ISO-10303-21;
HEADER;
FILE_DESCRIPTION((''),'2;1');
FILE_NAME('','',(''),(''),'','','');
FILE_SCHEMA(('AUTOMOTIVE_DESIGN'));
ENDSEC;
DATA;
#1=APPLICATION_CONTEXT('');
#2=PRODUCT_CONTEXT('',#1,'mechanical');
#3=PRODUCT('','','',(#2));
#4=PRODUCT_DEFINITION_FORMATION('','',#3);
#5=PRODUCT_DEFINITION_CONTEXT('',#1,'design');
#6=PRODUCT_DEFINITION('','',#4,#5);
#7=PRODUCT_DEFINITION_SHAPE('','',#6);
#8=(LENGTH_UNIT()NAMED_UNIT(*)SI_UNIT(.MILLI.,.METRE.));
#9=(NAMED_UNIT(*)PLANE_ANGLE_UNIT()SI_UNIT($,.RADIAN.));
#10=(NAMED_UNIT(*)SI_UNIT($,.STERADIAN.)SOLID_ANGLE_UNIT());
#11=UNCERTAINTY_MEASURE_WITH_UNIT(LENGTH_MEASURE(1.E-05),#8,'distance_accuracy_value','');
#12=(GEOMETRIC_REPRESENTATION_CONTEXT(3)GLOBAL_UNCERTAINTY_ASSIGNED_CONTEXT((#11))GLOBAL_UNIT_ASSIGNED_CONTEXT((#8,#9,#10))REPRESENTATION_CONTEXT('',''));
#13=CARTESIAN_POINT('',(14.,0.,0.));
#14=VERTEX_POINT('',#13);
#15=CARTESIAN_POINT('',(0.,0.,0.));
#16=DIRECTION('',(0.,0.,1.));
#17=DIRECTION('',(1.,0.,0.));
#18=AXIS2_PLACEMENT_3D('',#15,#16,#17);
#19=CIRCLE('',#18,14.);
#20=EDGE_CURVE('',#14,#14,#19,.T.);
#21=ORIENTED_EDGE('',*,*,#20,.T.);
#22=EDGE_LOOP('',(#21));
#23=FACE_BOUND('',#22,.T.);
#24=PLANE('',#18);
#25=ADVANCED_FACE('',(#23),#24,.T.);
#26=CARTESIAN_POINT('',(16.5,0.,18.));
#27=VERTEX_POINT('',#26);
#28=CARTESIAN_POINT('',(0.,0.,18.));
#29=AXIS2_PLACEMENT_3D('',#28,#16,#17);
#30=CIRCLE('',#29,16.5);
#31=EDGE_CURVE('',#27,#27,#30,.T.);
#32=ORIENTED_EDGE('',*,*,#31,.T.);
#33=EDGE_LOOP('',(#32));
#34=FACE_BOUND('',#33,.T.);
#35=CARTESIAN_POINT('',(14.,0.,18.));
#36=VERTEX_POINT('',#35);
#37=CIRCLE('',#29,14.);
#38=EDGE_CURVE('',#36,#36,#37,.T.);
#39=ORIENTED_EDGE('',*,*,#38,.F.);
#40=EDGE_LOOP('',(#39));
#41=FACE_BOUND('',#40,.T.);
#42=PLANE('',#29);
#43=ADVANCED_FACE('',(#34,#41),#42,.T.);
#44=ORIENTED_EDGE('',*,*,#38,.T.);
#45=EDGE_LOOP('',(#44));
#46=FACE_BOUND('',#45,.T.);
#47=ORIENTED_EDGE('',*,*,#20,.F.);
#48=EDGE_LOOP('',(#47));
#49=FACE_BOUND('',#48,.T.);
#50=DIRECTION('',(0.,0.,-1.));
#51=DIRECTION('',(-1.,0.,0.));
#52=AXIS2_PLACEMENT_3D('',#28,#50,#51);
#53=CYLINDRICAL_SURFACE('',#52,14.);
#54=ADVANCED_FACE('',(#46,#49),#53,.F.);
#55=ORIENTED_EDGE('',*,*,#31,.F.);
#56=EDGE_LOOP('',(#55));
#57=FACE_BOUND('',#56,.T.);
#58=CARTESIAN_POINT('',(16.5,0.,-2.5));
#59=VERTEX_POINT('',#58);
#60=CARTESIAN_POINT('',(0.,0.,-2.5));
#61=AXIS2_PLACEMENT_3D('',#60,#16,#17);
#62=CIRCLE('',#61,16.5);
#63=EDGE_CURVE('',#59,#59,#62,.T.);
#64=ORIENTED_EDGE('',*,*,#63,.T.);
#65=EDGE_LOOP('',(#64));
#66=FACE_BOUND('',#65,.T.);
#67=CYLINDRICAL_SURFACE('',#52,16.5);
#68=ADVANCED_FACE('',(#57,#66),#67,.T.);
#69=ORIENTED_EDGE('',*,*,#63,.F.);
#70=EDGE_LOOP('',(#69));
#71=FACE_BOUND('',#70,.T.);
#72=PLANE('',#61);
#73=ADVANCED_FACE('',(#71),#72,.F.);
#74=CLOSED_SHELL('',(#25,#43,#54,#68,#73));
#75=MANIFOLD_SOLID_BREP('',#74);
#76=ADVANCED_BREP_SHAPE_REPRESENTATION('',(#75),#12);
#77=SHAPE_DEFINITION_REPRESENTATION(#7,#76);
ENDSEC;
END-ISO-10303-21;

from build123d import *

# Parameters (mm, degrees)
SKETCH1_R           = 14
BOSS_EXTRUDE1_DEPTH = 18
SHELL1_T            = 2.5


with BuildPart() as part:
    # Sketch1 → Boss-Extrude1 (new body)
    with BuildSketch(Plane.XY):
        Circle(SKETCH1_R)
    extrude(amount=BOSS_EXTRUDE1_DEPTH)

    # Shell1
    shell1_openings = [part.faces().sort_by_distance(p)[0] for p in [
        (0, 0, 18),
    ]]
    offset(amount=SHELL1_T, openings=shell1_openings, kind=Kind.INTERSECTION)


solid = part.part
